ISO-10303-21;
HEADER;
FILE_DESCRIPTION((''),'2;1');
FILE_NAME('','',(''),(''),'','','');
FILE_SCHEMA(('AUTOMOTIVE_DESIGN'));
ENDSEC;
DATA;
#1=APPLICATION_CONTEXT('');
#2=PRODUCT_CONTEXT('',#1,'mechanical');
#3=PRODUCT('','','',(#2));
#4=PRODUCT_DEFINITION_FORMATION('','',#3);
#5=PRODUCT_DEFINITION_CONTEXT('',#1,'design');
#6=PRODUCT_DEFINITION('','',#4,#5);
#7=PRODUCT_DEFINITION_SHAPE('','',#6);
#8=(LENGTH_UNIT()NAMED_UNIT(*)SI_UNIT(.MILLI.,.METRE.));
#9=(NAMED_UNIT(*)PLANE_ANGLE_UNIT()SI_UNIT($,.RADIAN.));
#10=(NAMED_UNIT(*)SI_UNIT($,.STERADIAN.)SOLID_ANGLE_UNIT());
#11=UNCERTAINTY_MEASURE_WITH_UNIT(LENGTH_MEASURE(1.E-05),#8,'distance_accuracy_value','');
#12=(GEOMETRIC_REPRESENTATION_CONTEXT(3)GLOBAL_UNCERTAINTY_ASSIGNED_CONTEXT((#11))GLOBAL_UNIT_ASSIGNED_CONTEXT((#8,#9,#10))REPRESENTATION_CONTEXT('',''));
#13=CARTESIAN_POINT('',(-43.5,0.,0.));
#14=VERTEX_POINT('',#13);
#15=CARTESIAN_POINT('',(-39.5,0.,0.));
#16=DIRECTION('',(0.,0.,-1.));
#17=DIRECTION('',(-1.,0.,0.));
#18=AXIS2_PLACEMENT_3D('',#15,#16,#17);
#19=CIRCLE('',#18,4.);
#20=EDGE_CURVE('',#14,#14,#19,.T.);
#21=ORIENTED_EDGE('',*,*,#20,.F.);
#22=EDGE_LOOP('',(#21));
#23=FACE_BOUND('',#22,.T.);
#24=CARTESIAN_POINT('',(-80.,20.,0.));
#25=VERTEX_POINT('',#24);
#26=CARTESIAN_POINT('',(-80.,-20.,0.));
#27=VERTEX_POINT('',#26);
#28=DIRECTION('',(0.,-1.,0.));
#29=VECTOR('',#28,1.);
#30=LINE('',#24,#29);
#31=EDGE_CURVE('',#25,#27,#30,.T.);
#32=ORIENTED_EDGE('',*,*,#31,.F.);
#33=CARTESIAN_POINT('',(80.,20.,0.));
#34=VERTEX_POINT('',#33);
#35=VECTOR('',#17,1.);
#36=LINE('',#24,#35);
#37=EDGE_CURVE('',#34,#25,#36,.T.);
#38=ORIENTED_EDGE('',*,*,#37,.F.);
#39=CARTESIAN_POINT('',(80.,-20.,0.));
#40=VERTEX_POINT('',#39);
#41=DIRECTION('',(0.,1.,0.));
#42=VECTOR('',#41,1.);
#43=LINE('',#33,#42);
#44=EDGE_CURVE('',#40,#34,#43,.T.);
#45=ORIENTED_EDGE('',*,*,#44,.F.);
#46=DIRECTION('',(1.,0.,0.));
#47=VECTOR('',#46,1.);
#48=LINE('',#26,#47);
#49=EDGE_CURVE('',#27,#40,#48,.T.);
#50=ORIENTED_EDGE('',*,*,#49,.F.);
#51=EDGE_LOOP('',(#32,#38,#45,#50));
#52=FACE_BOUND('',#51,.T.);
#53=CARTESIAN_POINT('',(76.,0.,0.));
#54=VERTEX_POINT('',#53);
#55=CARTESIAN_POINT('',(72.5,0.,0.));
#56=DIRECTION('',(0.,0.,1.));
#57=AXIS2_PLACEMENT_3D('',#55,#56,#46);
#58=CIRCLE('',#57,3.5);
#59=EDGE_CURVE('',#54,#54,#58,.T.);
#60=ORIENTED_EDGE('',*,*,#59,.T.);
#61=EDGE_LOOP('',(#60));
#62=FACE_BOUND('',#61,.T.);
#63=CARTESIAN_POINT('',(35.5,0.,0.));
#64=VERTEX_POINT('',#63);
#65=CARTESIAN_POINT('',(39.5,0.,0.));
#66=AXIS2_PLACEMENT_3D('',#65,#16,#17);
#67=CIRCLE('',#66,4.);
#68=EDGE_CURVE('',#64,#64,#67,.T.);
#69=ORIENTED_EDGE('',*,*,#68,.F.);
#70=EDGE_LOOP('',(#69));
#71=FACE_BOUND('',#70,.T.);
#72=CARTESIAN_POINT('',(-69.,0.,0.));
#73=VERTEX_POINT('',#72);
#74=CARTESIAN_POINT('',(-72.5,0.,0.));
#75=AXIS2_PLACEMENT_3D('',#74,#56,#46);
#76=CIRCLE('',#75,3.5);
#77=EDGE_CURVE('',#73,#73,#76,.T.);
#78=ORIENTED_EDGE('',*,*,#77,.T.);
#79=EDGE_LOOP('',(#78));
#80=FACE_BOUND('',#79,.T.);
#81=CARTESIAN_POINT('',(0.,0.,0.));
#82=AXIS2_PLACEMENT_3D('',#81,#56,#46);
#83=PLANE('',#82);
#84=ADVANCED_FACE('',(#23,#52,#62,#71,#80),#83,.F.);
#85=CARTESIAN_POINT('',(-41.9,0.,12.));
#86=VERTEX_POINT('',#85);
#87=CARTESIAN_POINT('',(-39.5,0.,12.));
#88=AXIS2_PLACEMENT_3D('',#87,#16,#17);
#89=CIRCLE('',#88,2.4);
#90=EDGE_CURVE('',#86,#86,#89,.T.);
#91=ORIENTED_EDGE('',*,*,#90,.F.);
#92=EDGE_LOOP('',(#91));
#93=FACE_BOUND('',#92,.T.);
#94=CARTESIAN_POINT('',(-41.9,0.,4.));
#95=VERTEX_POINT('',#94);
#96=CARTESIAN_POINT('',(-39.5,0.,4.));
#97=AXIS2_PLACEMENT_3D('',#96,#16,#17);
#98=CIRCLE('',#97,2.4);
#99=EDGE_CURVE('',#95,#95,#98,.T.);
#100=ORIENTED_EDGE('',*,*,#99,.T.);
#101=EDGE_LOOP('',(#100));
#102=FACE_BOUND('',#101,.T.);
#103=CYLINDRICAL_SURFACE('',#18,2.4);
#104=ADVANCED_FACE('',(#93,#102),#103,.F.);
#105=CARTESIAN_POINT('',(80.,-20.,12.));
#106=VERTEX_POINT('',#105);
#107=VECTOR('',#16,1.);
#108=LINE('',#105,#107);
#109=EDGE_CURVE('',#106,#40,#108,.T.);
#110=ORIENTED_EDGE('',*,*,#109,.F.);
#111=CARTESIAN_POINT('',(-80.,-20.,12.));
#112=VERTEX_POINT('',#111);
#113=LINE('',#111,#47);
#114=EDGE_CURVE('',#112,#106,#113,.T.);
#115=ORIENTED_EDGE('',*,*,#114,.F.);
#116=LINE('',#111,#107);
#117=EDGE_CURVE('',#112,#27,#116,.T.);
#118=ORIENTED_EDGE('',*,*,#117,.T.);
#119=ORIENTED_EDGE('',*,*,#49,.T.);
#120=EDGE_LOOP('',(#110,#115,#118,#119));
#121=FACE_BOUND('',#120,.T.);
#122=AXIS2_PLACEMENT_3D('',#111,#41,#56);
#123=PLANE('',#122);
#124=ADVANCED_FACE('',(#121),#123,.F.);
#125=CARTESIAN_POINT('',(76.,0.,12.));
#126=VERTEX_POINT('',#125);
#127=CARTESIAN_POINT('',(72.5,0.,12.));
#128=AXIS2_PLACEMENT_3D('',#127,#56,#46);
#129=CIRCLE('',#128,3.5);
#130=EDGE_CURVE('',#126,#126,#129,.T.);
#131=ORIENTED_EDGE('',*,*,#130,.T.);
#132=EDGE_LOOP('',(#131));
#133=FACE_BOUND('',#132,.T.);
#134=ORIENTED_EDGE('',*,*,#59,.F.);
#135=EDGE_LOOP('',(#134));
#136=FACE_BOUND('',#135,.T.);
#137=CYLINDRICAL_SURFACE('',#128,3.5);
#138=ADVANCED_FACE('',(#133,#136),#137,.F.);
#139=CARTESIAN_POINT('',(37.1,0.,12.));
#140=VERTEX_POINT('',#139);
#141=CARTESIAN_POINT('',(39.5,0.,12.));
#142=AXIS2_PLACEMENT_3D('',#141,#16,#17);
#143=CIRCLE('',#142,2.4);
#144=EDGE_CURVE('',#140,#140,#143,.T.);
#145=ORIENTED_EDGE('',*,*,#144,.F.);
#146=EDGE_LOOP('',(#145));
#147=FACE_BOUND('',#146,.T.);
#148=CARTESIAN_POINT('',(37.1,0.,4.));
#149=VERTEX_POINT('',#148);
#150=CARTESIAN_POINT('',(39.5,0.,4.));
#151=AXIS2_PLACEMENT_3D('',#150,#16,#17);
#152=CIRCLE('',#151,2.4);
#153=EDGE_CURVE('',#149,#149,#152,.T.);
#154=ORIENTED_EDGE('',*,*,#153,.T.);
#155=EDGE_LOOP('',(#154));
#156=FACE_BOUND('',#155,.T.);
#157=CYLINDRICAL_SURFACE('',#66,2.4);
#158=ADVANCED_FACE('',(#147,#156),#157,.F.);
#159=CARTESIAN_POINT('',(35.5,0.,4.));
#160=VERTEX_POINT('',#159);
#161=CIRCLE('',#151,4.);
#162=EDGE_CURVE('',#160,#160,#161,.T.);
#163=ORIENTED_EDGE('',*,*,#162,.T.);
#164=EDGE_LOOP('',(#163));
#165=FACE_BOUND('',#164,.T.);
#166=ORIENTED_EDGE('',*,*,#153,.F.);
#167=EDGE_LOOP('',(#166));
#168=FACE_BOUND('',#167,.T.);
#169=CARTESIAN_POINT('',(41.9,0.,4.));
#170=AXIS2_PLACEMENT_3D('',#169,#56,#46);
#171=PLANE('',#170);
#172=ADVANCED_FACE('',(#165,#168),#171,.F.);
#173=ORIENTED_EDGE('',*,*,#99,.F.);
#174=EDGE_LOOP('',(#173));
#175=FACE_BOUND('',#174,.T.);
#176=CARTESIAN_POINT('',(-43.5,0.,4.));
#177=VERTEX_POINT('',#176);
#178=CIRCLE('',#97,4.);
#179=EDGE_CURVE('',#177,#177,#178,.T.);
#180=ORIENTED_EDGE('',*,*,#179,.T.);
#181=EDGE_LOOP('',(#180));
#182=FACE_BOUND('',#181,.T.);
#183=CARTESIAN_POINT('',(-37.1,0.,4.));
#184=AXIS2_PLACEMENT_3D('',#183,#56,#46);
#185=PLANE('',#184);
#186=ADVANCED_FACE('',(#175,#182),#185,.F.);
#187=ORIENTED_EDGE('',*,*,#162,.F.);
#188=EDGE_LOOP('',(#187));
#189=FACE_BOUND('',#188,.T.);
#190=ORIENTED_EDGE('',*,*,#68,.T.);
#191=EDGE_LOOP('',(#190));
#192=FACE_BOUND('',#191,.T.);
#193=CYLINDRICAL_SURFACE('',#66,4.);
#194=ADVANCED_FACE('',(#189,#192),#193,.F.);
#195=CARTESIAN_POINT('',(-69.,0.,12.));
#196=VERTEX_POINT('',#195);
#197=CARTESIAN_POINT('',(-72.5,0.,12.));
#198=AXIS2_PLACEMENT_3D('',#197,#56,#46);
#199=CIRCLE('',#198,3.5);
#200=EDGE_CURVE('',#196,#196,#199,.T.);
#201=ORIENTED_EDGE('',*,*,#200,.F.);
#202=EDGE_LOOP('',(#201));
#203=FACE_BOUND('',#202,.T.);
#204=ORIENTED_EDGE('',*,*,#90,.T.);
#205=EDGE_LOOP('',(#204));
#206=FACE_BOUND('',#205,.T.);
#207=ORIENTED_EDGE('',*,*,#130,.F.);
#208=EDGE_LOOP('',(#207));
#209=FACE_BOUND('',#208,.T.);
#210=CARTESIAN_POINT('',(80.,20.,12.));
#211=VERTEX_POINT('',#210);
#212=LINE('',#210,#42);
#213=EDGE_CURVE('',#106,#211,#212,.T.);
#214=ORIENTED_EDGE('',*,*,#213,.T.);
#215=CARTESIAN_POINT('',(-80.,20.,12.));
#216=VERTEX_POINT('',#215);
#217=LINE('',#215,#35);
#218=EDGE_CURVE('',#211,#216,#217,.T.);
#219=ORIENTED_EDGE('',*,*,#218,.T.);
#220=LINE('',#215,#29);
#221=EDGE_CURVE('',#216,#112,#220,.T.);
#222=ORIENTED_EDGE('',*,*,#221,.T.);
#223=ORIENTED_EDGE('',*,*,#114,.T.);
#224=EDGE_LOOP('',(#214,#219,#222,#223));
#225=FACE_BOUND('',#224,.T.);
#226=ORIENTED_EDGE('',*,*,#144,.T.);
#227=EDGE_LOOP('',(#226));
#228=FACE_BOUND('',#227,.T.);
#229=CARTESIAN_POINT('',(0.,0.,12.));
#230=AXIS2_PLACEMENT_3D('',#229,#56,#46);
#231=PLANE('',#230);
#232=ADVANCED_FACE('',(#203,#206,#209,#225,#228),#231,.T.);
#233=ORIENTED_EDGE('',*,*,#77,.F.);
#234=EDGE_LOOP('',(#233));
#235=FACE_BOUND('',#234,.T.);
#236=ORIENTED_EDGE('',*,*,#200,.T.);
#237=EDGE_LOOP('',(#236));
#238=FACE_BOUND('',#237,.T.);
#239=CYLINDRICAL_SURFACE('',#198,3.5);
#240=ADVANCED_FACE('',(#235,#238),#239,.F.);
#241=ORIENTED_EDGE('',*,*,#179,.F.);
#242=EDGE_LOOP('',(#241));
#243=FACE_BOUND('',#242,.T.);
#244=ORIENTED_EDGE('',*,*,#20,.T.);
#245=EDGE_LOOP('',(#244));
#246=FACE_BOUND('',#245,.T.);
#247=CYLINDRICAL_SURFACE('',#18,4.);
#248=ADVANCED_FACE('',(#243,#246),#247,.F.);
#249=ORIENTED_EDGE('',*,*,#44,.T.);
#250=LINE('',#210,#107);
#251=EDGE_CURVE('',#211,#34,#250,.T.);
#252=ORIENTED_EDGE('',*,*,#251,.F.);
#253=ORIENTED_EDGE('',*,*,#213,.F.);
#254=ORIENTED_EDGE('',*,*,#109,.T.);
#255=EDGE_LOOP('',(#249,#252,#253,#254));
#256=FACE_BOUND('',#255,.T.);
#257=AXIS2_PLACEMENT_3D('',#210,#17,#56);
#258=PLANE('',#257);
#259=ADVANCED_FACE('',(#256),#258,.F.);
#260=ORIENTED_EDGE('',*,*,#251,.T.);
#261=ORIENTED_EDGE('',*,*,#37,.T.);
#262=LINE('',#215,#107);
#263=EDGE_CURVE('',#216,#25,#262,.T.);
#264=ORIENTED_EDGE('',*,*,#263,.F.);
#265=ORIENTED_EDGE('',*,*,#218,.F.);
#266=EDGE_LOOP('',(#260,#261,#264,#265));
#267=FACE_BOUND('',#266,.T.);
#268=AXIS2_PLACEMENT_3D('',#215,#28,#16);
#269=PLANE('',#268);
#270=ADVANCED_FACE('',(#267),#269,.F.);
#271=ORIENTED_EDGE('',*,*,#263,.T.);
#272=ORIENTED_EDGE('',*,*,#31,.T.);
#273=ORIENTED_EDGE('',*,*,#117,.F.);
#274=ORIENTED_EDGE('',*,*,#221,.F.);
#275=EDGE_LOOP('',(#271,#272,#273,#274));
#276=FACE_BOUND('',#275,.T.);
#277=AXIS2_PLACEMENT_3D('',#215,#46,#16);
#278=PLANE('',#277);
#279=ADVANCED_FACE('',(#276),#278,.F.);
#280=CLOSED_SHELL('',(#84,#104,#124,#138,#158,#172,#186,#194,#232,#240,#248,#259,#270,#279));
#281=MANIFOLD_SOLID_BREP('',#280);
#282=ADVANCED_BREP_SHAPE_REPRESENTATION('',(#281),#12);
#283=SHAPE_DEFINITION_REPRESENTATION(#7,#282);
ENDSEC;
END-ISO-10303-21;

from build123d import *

# Parameters (mm, degrees)
SKETCH1_W                      = 160
SKETCH1_H                      = 40
BOSS_EXTRUDE1_DEPTH            = 12
M6_CLEARANCE_HOLE1_D           = 7
CBORE_FOR_M4_SHCS1_D           = 4.8
CBORE_FOR_M4_SHCS1_CBORE_D     = 8
CBORE_FOR_M4_SHCS1_CBORE_DEPTH = 4


with BuildPart() as part:
    # Sketch1 → Boss-Extrude1 (new body)
    with BuildSketch(Plane.XY):
        Rectangle(SKETCH1_W, SKETCH1_H)
    extrude(amount=BOSS_EXTRUDE1_DEPTH)

    # M6 Clearance Hole1 (through all)
    with Locations(Plane.XY.offset(12)):
        with Locations((-72.5, 0), (72.5, 0)):
            Hole(M6_CLEARANCE_HOLE1_D / 2)

    # CBORE for M4 SHCS1 (through all)
    with Locations(Plane(origin=(0, 0, 0), x_dir=(-1, 0, 0), z_dir=(0, 0, -1))):
        with Locations((-39.5, 0), (39.5, 0)):
            CounterBoreHole(CBORE_FOR_M4_SHCS1_D / 2, CBORE_FOR_M4_SHCS1_CBORE_D / 2, CBORE_FOR_M4_SHCS1_CBORE_DEPTH)


solid = part.part
